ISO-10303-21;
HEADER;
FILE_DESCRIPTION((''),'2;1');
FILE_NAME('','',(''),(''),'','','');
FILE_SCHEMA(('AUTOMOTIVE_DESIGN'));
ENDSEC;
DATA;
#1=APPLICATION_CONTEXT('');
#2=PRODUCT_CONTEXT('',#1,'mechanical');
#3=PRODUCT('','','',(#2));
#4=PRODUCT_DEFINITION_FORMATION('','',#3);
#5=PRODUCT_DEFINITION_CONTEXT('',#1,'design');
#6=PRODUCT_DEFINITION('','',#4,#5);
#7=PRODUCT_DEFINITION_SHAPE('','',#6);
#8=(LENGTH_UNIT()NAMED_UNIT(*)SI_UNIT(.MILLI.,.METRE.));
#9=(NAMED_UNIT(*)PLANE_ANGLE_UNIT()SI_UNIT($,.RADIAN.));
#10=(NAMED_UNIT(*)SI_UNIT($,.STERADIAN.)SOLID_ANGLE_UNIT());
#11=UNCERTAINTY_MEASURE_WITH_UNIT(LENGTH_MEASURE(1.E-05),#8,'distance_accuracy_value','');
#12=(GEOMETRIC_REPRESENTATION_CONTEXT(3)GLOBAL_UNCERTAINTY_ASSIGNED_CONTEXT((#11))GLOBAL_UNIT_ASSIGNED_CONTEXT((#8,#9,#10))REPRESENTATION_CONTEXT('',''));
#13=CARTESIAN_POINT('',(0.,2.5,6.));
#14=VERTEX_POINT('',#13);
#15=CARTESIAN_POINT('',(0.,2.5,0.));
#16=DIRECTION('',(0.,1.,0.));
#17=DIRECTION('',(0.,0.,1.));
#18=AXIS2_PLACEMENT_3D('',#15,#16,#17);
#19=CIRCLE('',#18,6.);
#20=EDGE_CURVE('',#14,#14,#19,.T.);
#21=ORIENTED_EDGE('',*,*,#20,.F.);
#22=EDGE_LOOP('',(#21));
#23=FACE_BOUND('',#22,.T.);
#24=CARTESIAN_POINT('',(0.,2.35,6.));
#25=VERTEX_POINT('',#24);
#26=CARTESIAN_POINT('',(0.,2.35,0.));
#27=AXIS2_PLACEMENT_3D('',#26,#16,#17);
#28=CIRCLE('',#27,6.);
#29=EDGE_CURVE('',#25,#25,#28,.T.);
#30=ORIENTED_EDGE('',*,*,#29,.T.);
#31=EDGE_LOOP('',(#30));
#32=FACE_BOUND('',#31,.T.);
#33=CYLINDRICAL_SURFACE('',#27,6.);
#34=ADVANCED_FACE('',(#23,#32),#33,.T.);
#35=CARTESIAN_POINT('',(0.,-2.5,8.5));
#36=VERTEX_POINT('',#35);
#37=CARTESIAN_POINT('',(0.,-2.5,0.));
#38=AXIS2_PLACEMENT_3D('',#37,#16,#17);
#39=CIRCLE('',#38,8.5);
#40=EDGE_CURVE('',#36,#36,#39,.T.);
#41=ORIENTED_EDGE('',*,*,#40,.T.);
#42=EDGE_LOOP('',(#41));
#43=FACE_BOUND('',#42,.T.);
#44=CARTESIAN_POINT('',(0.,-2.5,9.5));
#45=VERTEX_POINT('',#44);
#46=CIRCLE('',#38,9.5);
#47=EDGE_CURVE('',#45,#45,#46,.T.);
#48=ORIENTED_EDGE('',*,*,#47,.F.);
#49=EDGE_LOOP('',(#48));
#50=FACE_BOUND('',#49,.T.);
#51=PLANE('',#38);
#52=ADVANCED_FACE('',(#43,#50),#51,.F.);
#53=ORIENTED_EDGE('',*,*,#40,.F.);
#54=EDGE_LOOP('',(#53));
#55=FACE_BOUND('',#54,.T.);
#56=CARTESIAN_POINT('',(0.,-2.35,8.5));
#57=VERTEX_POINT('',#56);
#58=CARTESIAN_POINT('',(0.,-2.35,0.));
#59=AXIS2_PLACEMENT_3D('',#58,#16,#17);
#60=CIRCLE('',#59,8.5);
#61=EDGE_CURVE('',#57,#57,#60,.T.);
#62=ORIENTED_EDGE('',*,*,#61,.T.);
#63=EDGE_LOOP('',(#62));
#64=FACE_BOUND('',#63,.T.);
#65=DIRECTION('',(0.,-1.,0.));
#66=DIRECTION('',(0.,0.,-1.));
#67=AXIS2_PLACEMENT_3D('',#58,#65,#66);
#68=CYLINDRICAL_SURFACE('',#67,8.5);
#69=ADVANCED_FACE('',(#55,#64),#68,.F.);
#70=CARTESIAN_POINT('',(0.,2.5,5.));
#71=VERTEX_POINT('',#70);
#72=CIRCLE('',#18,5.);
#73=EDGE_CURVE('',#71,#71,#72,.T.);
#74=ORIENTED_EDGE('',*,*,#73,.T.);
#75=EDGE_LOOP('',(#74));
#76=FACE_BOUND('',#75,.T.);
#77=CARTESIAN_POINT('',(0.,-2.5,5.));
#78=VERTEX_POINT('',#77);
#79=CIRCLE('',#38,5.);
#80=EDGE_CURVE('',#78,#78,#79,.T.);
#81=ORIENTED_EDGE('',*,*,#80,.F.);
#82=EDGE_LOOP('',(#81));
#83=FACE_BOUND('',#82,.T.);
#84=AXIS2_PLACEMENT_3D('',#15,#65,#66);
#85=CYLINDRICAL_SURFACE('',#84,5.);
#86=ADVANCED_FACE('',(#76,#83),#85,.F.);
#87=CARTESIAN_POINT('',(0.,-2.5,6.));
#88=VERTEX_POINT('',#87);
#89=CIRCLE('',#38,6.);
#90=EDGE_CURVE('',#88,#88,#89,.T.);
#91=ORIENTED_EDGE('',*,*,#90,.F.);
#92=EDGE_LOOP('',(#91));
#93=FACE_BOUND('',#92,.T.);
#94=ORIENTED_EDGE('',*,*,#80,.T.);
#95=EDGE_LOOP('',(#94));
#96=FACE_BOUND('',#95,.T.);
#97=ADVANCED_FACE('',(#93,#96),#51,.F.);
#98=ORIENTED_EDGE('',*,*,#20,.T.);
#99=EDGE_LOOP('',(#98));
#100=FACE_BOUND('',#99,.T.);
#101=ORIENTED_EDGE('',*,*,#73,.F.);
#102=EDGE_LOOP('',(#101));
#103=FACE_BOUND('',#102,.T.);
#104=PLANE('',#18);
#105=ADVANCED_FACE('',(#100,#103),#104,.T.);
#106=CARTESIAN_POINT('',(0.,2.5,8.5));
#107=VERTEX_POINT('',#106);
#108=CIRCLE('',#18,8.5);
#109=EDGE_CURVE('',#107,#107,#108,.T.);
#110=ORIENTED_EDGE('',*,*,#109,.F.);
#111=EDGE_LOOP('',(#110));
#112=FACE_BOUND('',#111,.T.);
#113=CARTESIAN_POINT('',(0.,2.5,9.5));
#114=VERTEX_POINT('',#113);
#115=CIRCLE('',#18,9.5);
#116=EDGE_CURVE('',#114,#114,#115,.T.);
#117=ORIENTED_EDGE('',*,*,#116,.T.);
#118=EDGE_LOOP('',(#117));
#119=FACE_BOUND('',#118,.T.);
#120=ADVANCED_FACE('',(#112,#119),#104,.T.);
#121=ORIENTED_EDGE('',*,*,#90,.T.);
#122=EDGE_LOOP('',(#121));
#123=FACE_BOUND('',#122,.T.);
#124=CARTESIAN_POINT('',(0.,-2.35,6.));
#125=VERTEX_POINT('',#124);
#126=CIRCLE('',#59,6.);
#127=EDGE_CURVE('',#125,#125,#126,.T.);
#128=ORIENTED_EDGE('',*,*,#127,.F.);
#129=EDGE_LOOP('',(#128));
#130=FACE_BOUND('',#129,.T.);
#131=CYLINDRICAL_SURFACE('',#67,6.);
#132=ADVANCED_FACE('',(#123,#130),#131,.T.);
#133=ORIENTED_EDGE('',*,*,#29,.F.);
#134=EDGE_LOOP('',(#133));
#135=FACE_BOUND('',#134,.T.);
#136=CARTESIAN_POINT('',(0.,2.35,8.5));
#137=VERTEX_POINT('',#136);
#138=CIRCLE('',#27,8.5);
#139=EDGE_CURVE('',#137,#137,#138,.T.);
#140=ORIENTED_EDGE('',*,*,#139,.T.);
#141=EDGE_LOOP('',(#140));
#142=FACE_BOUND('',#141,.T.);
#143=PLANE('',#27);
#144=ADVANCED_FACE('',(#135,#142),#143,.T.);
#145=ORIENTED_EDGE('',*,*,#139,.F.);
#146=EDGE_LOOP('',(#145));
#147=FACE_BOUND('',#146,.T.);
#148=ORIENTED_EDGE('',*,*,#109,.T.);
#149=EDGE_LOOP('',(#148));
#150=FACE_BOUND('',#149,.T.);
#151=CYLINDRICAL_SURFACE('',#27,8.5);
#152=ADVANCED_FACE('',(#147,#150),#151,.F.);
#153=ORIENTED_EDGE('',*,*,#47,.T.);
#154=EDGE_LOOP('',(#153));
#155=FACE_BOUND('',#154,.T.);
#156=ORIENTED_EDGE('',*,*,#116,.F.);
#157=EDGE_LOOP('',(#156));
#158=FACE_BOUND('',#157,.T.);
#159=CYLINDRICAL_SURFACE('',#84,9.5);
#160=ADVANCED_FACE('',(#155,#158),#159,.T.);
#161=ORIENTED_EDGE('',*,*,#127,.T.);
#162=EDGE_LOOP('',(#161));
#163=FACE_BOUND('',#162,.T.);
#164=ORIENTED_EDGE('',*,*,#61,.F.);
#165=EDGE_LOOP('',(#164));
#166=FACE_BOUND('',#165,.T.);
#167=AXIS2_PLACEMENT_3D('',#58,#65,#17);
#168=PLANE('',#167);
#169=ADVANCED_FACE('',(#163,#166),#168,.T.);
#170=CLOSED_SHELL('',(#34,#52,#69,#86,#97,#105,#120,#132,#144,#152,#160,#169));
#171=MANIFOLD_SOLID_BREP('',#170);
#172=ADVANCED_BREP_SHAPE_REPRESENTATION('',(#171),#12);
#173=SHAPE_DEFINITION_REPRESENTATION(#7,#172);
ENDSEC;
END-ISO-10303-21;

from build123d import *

# Parameters (mm, degrees)
SKETCH1_R           = 9.5
SKETCH1_R_2         = 5
BOSS_EXTRUDE1_DEPTH = 2.5
SKETCH2_R           = 8.5
SKETCH2_R_2         = 6
CUT_EXTRUDE1_DEPTH  = 0.15


with BuildPart() as part:
    # Sketch1 → Boss-Extrude1 (new, symmetric)
    with BuildSketch(Plane(origin=(0, 0, 0), x_dir=(1, 0, 0), z_dir=(0, 1, 0))):
        with Locations(Location((0, 0, 0), (0, 0, 270))):
            Circle(SKETCH1_R)
        with Locations(Location((0, 0, 0), (0, 0, 270))):
            Circle(SKETCH1_R_2, mode=Mode.SUBTRACT)
    extrude(amount=BOSS_EXTRUDE1_DEPTH, both=True)

    # Sketch2 → Cut-Extrude1 (cut)
    with BuildSketch(Plane(origin=(0, 2.5, 0), x_dir=(1, 0, 0), z_dir=(0, 1, 0))):
        with Locations(Location((0, 0, 0), (0, 0, 270))):
            Circle(SKETCH2_R)
        with Locations(Location((0, 0, 0), (0, 0, 270))):
            Circle(SKETCH2_R_2, mode=Mode.SUBTRACT)
    cut_extrude1 = extrude(amount=-CUT_EXTRUDE1_DEPTH, mode=Mode.SUBTRACT)

    # Mirror1: Cut-Extrude1 across plane
    add(cut_extrude1.mirror(Plane.ZX), mode=Mode.SUBTRACT)


solid = part.part
